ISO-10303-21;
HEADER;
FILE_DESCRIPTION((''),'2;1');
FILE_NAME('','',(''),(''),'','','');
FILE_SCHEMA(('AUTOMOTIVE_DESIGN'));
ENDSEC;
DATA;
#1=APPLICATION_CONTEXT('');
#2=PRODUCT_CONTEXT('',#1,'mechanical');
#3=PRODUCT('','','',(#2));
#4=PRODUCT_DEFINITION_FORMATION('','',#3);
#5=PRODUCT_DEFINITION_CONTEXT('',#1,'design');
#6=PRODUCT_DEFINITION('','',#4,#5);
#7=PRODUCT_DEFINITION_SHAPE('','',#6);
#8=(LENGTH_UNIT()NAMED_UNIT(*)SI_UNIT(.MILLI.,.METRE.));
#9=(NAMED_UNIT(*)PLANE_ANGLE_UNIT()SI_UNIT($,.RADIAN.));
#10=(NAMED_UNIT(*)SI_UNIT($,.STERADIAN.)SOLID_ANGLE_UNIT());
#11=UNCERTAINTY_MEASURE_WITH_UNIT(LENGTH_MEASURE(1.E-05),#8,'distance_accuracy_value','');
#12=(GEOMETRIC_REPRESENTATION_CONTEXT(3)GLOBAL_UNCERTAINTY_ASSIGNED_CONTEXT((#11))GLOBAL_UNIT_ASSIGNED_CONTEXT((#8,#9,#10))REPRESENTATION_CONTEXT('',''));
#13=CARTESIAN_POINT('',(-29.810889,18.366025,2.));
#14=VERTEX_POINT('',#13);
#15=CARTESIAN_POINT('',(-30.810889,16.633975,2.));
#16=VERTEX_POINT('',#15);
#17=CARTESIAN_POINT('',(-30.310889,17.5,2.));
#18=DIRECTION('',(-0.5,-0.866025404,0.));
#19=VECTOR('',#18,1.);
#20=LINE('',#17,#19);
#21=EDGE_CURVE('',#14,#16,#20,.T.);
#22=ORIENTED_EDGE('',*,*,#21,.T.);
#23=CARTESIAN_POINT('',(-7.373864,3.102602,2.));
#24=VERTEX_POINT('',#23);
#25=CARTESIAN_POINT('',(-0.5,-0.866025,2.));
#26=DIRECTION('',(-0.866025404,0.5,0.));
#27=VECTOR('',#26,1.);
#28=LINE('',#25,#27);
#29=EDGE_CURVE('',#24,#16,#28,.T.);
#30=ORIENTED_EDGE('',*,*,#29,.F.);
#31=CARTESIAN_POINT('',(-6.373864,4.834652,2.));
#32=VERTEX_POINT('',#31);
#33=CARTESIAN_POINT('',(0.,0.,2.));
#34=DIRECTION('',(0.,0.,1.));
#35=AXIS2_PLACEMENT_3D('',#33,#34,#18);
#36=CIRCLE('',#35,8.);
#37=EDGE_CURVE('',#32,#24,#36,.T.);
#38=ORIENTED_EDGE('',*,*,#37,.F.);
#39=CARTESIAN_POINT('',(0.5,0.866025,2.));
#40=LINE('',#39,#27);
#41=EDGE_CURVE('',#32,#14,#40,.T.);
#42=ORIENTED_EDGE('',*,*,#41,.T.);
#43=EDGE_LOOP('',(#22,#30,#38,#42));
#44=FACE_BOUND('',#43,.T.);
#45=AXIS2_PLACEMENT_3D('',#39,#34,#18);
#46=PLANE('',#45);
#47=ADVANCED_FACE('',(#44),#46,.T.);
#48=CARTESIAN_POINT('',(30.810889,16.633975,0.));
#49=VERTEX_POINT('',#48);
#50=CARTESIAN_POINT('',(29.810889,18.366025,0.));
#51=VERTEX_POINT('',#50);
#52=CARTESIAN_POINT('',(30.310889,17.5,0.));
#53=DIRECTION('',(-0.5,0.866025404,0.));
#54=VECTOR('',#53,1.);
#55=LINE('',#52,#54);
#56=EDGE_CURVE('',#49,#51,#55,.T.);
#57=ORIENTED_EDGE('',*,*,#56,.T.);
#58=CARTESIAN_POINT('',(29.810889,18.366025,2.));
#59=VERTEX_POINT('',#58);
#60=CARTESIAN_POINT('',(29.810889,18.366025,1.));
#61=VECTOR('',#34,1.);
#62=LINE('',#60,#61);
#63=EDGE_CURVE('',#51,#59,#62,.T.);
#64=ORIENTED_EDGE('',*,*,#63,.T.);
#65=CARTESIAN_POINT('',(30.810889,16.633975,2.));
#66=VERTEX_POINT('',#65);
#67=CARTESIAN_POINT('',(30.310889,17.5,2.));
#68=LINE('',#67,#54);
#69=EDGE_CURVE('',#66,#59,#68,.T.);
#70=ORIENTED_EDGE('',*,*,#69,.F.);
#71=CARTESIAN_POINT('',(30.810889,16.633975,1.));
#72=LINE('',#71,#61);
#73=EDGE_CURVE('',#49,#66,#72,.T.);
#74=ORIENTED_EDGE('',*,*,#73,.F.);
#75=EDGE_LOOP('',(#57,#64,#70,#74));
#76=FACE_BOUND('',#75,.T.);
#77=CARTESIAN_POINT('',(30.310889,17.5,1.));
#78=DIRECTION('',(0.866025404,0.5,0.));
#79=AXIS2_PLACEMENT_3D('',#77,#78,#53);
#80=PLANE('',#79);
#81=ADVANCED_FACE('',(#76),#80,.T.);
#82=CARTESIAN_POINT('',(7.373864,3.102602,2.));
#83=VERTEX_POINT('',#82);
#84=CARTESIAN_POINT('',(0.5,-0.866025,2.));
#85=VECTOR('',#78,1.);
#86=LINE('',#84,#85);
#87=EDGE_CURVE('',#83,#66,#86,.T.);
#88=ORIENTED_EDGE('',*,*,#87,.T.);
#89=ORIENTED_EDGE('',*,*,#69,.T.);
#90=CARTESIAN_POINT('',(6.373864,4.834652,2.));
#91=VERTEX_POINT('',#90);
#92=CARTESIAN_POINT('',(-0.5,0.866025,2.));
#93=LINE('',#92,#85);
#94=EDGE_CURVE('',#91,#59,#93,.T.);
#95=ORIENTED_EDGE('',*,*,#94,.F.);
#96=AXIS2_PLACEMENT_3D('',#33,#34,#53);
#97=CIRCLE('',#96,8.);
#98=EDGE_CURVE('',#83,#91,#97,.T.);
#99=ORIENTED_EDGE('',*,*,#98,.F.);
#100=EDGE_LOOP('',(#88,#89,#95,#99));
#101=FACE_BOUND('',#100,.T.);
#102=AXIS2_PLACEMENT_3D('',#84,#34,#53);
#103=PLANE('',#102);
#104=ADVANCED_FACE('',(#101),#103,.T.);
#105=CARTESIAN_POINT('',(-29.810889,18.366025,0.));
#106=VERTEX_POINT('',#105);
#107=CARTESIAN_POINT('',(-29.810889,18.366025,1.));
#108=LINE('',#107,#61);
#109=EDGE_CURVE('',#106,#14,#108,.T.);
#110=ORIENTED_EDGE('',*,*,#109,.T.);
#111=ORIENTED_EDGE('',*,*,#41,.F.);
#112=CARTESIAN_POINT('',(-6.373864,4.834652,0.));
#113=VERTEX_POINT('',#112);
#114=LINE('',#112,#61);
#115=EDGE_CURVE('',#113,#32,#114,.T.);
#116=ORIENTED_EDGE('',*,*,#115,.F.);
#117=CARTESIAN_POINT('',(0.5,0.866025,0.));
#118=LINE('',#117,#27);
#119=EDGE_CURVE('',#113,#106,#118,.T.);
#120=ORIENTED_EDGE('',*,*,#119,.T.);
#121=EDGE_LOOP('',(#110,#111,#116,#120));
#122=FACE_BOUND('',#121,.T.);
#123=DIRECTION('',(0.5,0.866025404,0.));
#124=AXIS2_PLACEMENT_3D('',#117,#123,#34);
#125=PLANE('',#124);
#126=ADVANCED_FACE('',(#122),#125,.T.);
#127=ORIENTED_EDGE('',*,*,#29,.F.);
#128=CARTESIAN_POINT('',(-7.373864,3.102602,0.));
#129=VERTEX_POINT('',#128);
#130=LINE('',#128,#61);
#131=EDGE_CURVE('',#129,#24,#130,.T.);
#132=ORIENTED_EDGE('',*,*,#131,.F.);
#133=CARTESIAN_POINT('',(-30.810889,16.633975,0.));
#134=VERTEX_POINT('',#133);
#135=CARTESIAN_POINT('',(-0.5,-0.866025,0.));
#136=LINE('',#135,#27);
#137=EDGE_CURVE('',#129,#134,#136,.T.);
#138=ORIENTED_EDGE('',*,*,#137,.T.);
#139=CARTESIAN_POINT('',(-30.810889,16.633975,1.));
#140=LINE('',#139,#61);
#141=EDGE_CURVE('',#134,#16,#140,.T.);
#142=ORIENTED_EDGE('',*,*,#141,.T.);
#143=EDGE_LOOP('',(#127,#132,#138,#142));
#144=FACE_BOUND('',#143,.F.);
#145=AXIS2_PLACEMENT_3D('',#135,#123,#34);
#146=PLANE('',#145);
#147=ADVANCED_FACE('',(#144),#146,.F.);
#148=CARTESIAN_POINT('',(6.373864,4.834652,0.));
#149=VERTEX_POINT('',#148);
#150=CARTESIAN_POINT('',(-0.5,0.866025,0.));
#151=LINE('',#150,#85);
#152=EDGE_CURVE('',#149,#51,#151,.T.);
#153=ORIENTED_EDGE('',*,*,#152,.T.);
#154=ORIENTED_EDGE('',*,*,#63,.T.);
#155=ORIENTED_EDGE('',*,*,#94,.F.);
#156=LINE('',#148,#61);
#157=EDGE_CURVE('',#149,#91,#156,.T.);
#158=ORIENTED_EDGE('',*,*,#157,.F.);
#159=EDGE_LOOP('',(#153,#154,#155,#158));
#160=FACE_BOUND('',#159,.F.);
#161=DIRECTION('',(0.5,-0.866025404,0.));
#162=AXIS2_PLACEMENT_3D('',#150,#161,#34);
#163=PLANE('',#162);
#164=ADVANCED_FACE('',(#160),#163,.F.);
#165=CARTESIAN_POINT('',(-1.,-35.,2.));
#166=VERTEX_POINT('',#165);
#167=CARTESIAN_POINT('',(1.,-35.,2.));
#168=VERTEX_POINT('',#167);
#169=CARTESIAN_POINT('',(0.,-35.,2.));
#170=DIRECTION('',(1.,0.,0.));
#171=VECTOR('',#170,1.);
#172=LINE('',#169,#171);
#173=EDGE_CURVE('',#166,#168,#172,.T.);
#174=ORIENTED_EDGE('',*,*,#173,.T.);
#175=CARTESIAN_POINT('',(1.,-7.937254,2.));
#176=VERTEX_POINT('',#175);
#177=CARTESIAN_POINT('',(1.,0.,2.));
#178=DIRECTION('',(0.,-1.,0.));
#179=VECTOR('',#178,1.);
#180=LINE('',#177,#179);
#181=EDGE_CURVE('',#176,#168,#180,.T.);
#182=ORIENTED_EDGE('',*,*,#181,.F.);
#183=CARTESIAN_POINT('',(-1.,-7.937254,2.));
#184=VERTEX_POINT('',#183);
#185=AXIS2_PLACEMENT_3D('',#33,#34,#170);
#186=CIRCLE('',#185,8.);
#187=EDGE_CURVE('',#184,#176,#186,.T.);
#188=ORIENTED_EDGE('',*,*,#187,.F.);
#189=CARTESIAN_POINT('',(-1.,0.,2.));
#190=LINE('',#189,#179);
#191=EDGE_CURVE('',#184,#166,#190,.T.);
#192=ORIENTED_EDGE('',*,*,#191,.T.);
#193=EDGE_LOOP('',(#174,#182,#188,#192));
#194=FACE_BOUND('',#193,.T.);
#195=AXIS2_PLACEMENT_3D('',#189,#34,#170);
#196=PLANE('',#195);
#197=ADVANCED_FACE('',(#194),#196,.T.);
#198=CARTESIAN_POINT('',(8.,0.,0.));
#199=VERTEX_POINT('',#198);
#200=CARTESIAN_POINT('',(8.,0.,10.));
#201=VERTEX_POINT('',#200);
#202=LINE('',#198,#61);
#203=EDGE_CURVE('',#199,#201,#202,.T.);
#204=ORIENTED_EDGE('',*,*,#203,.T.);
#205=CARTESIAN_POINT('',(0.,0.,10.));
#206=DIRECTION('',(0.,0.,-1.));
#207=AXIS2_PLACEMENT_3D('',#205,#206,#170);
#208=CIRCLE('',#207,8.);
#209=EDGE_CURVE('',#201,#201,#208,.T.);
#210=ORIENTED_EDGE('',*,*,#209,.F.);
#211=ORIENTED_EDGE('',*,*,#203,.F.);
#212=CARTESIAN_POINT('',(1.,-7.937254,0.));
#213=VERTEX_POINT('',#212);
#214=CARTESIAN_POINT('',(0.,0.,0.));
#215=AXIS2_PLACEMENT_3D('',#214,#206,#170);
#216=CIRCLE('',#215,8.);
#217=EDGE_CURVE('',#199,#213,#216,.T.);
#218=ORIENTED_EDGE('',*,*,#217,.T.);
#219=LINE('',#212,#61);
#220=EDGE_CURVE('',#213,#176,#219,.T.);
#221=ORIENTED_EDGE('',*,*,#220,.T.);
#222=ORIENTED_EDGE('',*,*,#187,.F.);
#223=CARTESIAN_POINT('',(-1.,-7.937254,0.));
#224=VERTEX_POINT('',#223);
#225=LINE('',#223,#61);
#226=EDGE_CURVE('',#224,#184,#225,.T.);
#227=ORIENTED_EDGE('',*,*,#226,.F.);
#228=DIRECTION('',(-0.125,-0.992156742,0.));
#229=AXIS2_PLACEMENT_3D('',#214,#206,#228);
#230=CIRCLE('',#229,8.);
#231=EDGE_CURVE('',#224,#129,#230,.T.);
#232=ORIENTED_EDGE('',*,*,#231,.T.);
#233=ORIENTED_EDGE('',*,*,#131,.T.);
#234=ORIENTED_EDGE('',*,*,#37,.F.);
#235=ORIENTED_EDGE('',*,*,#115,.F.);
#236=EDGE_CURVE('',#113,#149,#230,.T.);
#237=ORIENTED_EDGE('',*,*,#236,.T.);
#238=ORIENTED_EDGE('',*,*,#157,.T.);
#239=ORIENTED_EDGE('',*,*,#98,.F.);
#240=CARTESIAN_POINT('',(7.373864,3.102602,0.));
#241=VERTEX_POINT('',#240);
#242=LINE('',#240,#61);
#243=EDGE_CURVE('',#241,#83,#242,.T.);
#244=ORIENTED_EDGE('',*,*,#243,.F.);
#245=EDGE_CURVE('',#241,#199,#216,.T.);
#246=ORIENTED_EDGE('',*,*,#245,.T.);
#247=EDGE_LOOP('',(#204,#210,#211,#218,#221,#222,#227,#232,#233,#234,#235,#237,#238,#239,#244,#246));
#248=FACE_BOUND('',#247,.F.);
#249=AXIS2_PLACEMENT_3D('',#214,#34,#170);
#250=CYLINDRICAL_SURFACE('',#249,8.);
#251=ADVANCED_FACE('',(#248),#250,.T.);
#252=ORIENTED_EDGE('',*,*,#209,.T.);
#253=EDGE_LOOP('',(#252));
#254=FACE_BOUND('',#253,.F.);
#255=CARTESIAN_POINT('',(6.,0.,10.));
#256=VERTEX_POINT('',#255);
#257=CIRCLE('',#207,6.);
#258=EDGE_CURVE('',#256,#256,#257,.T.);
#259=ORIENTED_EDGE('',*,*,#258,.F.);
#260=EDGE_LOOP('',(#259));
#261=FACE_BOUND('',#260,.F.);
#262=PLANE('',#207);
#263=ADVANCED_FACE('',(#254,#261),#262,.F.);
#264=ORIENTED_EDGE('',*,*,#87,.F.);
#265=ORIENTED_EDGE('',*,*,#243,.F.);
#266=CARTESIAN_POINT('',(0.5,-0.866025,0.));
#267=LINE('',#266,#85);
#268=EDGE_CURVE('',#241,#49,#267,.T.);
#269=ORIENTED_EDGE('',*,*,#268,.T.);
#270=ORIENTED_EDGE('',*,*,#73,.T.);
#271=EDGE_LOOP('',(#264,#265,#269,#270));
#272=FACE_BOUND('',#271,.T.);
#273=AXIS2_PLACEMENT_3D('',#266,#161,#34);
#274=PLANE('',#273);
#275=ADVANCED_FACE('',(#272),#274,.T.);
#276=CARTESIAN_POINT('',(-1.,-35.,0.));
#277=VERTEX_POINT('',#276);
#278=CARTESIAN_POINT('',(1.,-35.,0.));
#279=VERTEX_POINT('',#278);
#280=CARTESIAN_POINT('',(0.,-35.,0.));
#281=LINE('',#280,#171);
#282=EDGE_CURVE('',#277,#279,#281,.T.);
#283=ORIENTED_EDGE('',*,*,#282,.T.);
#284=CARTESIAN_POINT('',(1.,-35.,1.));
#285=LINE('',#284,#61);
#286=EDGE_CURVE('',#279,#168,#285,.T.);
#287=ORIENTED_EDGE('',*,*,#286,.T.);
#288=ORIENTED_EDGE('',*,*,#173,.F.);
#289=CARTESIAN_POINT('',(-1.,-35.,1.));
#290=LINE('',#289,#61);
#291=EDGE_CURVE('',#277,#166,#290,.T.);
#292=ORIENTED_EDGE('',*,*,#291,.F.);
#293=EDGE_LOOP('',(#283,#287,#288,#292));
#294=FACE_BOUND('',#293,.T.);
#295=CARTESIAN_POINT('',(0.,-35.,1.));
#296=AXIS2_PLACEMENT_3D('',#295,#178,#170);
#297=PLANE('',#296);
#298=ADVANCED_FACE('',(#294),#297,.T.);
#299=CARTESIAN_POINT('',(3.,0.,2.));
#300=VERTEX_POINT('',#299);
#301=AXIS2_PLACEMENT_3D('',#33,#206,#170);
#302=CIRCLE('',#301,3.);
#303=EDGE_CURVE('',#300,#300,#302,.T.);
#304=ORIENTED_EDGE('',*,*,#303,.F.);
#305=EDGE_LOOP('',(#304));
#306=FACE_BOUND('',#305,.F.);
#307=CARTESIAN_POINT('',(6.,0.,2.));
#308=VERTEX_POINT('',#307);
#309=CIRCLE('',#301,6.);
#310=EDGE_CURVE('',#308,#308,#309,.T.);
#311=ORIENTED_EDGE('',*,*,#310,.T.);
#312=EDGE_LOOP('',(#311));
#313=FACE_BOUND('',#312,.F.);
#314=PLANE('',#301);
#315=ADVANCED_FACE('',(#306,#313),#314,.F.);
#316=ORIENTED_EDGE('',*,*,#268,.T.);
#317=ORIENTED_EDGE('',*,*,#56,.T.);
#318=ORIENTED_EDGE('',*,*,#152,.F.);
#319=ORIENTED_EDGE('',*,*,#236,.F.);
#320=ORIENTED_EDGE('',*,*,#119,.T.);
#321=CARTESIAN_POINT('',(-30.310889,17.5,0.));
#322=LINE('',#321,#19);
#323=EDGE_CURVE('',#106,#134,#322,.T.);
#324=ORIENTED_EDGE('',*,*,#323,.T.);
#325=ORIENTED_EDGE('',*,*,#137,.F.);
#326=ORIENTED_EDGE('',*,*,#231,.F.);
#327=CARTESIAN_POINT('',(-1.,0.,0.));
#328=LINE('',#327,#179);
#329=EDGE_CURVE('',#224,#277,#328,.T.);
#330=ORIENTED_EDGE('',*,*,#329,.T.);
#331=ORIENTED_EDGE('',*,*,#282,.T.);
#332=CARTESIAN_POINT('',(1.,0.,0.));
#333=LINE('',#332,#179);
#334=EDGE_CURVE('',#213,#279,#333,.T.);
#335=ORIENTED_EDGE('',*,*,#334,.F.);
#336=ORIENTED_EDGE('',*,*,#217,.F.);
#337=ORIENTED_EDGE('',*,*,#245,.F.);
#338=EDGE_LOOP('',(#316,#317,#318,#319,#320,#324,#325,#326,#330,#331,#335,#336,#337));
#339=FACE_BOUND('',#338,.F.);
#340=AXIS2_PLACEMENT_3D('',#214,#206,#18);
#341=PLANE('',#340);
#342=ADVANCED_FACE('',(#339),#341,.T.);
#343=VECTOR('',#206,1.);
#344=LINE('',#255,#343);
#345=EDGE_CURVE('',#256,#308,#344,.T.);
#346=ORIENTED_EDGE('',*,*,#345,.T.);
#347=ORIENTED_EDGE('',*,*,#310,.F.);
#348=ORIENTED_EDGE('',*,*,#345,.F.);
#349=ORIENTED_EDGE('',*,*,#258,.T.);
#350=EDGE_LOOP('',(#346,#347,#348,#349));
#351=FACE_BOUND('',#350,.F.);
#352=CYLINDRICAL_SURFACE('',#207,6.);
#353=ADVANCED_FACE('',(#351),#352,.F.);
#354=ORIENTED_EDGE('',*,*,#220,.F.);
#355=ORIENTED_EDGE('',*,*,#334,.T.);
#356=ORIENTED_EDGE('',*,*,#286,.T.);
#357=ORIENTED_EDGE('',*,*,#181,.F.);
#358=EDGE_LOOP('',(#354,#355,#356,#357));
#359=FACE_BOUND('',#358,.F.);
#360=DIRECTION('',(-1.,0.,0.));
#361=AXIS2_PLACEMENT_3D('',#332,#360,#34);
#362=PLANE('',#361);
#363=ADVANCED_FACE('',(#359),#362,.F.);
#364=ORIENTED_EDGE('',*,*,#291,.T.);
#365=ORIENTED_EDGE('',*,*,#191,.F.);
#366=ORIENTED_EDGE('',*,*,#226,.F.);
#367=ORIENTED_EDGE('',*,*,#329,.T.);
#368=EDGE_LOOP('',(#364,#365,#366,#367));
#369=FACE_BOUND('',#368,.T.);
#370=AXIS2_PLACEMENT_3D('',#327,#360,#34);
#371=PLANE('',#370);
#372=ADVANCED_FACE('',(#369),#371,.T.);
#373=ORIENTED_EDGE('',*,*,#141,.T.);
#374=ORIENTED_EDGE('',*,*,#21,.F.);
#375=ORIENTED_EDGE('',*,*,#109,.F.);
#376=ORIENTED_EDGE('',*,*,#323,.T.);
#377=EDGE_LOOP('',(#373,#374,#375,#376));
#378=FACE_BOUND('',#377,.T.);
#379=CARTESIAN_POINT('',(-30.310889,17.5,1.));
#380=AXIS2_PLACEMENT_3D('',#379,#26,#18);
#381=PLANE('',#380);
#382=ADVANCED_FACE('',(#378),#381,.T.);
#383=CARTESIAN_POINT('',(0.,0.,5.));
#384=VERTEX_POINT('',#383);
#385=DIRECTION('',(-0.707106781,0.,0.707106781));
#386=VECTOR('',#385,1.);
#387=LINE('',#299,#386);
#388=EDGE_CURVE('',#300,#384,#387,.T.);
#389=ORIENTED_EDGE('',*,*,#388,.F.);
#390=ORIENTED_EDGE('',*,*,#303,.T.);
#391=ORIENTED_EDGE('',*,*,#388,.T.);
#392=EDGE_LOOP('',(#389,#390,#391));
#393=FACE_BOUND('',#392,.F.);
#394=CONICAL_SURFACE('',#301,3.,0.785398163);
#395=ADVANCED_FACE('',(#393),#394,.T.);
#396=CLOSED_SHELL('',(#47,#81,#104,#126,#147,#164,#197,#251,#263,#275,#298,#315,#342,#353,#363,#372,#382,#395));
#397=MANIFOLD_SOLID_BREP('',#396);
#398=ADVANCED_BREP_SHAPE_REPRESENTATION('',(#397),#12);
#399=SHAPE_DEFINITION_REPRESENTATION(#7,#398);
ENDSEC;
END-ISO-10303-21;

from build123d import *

# Parameters (mm, degrees)
F3_W     = 2
F3_H     = 2
F4_DEPTH = 35
F1_COUNT = 3


with BuildPart() as f2:
    # F0 (on Front) → F2 (revolve)
    with BuildSketch(Plane.XZ):
        Polygon((0, 5), (0, 0), (8, 0), (8, 10), (6, 10), (6, 2), (3, 2), align=None)
    revolve(axis=Axis((0, 0, 2.5), (0, 0, -1)))

    # F3 (on Front) → F4 (join)
    with BuildSketch(Plane.XZ):
        with Locations((0, 1)):
            Rectangle(F3_W, F3_H)
    extrude(amount=F4_DEPTH)

    # F1: F2 ×3 about axis
    f1_axis = Axis((0, 0, 2), (0, 0, 1))


with BuildPart() as f2_1:
    add(f2.part)
    for i in range(1, F1_COUNT):
        add(f2.part.rotate(f1_axis, i * 360 / F1_COUNT))


solid = f2_1.part
